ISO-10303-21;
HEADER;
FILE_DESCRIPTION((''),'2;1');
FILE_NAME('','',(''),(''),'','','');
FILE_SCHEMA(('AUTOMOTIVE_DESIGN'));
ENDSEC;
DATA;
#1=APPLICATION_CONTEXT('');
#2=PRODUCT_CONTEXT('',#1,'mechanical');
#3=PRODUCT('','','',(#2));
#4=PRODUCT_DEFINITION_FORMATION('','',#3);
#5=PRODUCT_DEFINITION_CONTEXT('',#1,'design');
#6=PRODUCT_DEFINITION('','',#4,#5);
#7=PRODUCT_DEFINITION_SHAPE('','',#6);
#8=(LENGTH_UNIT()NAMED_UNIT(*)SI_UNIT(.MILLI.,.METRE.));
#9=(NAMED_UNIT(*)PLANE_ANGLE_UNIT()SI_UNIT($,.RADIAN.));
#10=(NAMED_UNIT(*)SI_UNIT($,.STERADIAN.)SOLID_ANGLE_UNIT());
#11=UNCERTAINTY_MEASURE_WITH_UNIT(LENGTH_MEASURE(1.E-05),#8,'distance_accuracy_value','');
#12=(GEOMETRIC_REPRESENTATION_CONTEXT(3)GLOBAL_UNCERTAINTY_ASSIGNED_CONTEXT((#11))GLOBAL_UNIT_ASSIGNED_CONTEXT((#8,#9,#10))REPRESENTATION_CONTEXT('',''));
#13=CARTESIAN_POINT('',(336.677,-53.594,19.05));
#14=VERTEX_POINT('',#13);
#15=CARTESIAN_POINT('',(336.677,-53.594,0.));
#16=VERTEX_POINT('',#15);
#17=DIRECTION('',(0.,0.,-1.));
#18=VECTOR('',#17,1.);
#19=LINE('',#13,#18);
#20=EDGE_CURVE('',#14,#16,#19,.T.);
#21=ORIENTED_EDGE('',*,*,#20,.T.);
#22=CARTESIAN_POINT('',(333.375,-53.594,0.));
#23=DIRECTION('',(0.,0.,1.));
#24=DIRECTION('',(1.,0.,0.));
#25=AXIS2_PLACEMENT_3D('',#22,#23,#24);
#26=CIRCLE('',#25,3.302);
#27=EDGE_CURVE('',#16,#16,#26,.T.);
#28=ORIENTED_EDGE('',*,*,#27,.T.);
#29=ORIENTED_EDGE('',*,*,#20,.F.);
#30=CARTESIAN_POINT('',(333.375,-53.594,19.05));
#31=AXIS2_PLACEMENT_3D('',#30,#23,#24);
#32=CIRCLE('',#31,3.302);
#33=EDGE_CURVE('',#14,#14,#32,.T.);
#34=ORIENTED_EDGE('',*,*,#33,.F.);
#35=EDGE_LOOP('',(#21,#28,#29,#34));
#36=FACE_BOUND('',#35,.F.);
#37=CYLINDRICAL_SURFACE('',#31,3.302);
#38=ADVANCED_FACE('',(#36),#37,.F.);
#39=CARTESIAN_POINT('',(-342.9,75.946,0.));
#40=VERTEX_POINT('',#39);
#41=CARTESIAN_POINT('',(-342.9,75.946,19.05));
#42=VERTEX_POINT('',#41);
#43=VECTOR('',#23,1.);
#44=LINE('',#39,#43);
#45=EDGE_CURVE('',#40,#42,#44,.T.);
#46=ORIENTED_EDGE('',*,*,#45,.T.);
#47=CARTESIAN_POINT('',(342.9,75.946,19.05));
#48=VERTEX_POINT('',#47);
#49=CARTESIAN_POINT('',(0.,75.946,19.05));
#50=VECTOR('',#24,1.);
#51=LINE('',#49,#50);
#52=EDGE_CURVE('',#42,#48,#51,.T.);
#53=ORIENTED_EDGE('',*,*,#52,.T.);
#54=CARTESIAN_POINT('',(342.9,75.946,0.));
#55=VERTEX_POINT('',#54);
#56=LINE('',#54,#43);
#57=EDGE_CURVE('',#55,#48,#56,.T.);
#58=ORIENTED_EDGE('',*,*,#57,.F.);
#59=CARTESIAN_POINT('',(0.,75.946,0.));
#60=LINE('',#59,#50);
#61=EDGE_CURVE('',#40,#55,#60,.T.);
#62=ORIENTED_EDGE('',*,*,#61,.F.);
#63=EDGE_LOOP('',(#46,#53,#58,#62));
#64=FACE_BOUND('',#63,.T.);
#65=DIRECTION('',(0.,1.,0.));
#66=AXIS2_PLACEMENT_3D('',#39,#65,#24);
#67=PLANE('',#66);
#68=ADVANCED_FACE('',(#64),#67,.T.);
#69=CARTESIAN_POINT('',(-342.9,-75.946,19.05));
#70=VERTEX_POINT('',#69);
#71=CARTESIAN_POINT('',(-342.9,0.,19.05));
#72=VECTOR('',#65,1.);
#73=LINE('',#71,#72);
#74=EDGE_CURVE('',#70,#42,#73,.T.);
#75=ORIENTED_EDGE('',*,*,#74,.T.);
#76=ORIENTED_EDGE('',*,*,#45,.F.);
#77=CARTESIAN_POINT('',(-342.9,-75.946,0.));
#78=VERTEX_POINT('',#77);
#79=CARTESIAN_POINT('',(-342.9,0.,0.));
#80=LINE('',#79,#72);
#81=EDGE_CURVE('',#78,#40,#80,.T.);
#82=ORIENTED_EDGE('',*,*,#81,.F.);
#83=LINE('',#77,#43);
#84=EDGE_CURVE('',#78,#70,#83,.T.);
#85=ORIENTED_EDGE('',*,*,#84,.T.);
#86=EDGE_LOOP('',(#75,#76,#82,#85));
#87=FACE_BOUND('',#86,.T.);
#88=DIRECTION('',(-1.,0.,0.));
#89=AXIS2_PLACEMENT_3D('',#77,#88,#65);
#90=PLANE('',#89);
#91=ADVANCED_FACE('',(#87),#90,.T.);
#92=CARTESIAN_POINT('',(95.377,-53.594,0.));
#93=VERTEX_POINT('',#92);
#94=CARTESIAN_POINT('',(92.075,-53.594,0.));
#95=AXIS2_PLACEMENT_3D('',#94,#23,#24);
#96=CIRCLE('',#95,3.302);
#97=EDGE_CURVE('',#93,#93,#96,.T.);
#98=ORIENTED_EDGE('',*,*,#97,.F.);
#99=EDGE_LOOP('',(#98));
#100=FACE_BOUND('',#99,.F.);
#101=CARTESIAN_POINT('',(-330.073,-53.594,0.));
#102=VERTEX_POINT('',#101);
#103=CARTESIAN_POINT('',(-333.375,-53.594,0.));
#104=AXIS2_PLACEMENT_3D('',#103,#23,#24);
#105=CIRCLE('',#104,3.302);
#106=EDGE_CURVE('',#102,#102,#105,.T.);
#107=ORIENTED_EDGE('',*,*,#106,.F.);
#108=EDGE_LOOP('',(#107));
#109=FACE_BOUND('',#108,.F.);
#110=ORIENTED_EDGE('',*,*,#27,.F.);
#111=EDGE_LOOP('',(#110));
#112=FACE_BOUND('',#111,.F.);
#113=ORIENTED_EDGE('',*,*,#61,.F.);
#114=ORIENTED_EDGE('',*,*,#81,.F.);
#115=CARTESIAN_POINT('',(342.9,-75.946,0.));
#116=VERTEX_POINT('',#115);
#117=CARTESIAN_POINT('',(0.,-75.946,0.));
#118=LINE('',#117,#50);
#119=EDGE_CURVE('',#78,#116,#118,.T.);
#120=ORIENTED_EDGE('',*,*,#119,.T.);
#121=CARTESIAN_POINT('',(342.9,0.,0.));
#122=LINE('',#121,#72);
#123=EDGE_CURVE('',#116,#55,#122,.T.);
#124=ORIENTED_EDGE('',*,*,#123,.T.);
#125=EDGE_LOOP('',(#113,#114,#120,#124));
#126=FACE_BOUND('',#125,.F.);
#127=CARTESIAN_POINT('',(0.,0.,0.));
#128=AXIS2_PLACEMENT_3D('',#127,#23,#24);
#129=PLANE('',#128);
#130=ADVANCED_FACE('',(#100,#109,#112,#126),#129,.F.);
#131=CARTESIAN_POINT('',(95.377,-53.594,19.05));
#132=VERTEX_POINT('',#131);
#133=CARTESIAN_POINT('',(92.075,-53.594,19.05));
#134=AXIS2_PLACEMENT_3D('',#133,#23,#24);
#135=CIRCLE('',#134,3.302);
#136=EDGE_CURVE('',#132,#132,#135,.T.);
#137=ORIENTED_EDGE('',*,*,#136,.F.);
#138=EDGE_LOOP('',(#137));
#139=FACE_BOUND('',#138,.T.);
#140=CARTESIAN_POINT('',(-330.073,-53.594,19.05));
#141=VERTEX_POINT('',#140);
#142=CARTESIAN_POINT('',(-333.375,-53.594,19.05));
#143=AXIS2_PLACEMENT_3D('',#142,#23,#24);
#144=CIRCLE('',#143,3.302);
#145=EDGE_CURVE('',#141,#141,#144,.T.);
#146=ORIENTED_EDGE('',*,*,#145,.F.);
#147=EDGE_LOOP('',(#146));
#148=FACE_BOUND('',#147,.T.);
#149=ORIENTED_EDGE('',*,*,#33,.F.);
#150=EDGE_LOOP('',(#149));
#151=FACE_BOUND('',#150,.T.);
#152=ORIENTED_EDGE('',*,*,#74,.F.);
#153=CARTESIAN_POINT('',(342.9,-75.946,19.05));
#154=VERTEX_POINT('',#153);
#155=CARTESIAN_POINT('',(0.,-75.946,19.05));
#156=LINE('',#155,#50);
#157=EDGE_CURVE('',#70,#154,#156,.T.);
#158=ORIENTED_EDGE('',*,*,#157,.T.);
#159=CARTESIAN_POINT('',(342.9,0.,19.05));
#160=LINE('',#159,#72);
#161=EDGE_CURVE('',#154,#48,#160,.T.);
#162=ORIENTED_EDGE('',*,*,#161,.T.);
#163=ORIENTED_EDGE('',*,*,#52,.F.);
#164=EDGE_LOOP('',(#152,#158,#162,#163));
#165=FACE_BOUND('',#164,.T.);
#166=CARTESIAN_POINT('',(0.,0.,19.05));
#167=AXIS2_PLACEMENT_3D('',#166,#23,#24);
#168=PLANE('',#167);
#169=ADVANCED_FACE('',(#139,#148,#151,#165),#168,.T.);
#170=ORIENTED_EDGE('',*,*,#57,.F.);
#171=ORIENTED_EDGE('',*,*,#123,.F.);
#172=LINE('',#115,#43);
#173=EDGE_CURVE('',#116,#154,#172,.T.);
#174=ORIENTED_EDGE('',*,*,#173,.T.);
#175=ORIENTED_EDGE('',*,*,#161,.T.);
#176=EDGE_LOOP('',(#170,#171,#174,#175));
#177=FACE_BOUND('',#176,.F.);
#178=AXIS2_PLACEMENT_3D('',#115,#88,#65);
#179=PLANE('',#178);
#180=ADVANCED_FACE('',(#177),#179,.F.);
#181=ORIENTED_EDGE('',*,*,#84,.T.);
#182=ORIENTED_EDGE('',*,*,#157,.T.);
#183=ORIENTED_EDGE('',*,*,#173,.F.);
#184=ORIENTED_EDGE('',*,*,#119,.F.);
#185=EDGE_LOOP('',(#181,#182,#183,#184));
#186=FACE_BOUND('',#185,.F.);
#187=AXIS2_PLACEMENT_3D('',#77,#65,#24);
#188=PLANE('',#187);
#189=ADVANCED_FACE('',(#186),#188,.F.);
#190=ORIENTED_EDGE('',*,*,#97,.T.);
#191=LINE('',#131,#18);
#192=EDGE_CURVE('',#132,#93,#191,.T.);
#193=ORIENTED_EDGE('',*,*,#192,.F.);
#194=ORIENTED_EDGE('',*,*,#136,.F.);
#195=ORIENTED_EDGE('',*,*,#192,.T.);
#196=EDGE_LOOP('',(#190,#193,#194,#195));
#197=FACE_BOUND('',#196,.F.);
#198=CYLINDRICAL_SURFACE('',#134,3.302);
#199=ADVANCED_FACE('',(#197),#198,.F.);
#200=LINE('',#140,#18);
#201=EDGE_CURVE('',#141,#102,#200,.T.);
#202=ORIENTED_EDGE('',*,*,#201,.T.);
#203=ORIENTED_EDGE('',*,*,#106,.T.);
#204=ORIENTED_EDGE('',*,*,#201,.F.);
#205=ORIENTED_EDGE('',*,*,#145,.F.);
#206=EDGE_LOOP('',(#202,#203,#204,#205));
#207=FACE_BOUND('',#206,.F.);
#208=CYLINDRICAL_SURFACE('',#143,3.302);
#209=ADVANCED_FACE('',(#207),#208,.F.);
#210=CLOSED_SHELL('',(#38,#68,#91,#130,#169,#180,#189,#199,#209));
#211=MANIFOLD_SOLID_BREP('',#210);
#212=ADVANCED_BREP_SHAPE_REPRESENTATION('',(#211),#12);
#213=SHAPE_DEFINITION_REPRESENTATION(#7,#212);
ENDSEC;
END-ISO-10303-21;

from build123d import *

# Parameters (mm, degrees)
F0_W     = 685.8
F0_H     = 151.892
F1_DEPTH = 19.05
F2_R     = 3.302
F3_DEPTH = 19.05


with BuildPart() as f1:
    # F0 (on Top) → F1 (new body)
    with BuildSketch(Plane.XY):
        Rectangle(F0_W, F0_H)
    extrude(amount=F1_DEPTH)

    # F2 (on face) → F3 (cut)
    with BuildSketch(Plane.XY.offset(19.05)):
        with Locations((-333.375, -53.594)):
            Circle(F2_R)
        with Locations((92.075, -53.594)):
            Circle(F2_R)
        with Locations((333.375, -53.594)):
            Circle(F2_R)
    extrude(amount=-F3_DEPTH, mode=Mode.SUBTRACT)


solid = f1.part
